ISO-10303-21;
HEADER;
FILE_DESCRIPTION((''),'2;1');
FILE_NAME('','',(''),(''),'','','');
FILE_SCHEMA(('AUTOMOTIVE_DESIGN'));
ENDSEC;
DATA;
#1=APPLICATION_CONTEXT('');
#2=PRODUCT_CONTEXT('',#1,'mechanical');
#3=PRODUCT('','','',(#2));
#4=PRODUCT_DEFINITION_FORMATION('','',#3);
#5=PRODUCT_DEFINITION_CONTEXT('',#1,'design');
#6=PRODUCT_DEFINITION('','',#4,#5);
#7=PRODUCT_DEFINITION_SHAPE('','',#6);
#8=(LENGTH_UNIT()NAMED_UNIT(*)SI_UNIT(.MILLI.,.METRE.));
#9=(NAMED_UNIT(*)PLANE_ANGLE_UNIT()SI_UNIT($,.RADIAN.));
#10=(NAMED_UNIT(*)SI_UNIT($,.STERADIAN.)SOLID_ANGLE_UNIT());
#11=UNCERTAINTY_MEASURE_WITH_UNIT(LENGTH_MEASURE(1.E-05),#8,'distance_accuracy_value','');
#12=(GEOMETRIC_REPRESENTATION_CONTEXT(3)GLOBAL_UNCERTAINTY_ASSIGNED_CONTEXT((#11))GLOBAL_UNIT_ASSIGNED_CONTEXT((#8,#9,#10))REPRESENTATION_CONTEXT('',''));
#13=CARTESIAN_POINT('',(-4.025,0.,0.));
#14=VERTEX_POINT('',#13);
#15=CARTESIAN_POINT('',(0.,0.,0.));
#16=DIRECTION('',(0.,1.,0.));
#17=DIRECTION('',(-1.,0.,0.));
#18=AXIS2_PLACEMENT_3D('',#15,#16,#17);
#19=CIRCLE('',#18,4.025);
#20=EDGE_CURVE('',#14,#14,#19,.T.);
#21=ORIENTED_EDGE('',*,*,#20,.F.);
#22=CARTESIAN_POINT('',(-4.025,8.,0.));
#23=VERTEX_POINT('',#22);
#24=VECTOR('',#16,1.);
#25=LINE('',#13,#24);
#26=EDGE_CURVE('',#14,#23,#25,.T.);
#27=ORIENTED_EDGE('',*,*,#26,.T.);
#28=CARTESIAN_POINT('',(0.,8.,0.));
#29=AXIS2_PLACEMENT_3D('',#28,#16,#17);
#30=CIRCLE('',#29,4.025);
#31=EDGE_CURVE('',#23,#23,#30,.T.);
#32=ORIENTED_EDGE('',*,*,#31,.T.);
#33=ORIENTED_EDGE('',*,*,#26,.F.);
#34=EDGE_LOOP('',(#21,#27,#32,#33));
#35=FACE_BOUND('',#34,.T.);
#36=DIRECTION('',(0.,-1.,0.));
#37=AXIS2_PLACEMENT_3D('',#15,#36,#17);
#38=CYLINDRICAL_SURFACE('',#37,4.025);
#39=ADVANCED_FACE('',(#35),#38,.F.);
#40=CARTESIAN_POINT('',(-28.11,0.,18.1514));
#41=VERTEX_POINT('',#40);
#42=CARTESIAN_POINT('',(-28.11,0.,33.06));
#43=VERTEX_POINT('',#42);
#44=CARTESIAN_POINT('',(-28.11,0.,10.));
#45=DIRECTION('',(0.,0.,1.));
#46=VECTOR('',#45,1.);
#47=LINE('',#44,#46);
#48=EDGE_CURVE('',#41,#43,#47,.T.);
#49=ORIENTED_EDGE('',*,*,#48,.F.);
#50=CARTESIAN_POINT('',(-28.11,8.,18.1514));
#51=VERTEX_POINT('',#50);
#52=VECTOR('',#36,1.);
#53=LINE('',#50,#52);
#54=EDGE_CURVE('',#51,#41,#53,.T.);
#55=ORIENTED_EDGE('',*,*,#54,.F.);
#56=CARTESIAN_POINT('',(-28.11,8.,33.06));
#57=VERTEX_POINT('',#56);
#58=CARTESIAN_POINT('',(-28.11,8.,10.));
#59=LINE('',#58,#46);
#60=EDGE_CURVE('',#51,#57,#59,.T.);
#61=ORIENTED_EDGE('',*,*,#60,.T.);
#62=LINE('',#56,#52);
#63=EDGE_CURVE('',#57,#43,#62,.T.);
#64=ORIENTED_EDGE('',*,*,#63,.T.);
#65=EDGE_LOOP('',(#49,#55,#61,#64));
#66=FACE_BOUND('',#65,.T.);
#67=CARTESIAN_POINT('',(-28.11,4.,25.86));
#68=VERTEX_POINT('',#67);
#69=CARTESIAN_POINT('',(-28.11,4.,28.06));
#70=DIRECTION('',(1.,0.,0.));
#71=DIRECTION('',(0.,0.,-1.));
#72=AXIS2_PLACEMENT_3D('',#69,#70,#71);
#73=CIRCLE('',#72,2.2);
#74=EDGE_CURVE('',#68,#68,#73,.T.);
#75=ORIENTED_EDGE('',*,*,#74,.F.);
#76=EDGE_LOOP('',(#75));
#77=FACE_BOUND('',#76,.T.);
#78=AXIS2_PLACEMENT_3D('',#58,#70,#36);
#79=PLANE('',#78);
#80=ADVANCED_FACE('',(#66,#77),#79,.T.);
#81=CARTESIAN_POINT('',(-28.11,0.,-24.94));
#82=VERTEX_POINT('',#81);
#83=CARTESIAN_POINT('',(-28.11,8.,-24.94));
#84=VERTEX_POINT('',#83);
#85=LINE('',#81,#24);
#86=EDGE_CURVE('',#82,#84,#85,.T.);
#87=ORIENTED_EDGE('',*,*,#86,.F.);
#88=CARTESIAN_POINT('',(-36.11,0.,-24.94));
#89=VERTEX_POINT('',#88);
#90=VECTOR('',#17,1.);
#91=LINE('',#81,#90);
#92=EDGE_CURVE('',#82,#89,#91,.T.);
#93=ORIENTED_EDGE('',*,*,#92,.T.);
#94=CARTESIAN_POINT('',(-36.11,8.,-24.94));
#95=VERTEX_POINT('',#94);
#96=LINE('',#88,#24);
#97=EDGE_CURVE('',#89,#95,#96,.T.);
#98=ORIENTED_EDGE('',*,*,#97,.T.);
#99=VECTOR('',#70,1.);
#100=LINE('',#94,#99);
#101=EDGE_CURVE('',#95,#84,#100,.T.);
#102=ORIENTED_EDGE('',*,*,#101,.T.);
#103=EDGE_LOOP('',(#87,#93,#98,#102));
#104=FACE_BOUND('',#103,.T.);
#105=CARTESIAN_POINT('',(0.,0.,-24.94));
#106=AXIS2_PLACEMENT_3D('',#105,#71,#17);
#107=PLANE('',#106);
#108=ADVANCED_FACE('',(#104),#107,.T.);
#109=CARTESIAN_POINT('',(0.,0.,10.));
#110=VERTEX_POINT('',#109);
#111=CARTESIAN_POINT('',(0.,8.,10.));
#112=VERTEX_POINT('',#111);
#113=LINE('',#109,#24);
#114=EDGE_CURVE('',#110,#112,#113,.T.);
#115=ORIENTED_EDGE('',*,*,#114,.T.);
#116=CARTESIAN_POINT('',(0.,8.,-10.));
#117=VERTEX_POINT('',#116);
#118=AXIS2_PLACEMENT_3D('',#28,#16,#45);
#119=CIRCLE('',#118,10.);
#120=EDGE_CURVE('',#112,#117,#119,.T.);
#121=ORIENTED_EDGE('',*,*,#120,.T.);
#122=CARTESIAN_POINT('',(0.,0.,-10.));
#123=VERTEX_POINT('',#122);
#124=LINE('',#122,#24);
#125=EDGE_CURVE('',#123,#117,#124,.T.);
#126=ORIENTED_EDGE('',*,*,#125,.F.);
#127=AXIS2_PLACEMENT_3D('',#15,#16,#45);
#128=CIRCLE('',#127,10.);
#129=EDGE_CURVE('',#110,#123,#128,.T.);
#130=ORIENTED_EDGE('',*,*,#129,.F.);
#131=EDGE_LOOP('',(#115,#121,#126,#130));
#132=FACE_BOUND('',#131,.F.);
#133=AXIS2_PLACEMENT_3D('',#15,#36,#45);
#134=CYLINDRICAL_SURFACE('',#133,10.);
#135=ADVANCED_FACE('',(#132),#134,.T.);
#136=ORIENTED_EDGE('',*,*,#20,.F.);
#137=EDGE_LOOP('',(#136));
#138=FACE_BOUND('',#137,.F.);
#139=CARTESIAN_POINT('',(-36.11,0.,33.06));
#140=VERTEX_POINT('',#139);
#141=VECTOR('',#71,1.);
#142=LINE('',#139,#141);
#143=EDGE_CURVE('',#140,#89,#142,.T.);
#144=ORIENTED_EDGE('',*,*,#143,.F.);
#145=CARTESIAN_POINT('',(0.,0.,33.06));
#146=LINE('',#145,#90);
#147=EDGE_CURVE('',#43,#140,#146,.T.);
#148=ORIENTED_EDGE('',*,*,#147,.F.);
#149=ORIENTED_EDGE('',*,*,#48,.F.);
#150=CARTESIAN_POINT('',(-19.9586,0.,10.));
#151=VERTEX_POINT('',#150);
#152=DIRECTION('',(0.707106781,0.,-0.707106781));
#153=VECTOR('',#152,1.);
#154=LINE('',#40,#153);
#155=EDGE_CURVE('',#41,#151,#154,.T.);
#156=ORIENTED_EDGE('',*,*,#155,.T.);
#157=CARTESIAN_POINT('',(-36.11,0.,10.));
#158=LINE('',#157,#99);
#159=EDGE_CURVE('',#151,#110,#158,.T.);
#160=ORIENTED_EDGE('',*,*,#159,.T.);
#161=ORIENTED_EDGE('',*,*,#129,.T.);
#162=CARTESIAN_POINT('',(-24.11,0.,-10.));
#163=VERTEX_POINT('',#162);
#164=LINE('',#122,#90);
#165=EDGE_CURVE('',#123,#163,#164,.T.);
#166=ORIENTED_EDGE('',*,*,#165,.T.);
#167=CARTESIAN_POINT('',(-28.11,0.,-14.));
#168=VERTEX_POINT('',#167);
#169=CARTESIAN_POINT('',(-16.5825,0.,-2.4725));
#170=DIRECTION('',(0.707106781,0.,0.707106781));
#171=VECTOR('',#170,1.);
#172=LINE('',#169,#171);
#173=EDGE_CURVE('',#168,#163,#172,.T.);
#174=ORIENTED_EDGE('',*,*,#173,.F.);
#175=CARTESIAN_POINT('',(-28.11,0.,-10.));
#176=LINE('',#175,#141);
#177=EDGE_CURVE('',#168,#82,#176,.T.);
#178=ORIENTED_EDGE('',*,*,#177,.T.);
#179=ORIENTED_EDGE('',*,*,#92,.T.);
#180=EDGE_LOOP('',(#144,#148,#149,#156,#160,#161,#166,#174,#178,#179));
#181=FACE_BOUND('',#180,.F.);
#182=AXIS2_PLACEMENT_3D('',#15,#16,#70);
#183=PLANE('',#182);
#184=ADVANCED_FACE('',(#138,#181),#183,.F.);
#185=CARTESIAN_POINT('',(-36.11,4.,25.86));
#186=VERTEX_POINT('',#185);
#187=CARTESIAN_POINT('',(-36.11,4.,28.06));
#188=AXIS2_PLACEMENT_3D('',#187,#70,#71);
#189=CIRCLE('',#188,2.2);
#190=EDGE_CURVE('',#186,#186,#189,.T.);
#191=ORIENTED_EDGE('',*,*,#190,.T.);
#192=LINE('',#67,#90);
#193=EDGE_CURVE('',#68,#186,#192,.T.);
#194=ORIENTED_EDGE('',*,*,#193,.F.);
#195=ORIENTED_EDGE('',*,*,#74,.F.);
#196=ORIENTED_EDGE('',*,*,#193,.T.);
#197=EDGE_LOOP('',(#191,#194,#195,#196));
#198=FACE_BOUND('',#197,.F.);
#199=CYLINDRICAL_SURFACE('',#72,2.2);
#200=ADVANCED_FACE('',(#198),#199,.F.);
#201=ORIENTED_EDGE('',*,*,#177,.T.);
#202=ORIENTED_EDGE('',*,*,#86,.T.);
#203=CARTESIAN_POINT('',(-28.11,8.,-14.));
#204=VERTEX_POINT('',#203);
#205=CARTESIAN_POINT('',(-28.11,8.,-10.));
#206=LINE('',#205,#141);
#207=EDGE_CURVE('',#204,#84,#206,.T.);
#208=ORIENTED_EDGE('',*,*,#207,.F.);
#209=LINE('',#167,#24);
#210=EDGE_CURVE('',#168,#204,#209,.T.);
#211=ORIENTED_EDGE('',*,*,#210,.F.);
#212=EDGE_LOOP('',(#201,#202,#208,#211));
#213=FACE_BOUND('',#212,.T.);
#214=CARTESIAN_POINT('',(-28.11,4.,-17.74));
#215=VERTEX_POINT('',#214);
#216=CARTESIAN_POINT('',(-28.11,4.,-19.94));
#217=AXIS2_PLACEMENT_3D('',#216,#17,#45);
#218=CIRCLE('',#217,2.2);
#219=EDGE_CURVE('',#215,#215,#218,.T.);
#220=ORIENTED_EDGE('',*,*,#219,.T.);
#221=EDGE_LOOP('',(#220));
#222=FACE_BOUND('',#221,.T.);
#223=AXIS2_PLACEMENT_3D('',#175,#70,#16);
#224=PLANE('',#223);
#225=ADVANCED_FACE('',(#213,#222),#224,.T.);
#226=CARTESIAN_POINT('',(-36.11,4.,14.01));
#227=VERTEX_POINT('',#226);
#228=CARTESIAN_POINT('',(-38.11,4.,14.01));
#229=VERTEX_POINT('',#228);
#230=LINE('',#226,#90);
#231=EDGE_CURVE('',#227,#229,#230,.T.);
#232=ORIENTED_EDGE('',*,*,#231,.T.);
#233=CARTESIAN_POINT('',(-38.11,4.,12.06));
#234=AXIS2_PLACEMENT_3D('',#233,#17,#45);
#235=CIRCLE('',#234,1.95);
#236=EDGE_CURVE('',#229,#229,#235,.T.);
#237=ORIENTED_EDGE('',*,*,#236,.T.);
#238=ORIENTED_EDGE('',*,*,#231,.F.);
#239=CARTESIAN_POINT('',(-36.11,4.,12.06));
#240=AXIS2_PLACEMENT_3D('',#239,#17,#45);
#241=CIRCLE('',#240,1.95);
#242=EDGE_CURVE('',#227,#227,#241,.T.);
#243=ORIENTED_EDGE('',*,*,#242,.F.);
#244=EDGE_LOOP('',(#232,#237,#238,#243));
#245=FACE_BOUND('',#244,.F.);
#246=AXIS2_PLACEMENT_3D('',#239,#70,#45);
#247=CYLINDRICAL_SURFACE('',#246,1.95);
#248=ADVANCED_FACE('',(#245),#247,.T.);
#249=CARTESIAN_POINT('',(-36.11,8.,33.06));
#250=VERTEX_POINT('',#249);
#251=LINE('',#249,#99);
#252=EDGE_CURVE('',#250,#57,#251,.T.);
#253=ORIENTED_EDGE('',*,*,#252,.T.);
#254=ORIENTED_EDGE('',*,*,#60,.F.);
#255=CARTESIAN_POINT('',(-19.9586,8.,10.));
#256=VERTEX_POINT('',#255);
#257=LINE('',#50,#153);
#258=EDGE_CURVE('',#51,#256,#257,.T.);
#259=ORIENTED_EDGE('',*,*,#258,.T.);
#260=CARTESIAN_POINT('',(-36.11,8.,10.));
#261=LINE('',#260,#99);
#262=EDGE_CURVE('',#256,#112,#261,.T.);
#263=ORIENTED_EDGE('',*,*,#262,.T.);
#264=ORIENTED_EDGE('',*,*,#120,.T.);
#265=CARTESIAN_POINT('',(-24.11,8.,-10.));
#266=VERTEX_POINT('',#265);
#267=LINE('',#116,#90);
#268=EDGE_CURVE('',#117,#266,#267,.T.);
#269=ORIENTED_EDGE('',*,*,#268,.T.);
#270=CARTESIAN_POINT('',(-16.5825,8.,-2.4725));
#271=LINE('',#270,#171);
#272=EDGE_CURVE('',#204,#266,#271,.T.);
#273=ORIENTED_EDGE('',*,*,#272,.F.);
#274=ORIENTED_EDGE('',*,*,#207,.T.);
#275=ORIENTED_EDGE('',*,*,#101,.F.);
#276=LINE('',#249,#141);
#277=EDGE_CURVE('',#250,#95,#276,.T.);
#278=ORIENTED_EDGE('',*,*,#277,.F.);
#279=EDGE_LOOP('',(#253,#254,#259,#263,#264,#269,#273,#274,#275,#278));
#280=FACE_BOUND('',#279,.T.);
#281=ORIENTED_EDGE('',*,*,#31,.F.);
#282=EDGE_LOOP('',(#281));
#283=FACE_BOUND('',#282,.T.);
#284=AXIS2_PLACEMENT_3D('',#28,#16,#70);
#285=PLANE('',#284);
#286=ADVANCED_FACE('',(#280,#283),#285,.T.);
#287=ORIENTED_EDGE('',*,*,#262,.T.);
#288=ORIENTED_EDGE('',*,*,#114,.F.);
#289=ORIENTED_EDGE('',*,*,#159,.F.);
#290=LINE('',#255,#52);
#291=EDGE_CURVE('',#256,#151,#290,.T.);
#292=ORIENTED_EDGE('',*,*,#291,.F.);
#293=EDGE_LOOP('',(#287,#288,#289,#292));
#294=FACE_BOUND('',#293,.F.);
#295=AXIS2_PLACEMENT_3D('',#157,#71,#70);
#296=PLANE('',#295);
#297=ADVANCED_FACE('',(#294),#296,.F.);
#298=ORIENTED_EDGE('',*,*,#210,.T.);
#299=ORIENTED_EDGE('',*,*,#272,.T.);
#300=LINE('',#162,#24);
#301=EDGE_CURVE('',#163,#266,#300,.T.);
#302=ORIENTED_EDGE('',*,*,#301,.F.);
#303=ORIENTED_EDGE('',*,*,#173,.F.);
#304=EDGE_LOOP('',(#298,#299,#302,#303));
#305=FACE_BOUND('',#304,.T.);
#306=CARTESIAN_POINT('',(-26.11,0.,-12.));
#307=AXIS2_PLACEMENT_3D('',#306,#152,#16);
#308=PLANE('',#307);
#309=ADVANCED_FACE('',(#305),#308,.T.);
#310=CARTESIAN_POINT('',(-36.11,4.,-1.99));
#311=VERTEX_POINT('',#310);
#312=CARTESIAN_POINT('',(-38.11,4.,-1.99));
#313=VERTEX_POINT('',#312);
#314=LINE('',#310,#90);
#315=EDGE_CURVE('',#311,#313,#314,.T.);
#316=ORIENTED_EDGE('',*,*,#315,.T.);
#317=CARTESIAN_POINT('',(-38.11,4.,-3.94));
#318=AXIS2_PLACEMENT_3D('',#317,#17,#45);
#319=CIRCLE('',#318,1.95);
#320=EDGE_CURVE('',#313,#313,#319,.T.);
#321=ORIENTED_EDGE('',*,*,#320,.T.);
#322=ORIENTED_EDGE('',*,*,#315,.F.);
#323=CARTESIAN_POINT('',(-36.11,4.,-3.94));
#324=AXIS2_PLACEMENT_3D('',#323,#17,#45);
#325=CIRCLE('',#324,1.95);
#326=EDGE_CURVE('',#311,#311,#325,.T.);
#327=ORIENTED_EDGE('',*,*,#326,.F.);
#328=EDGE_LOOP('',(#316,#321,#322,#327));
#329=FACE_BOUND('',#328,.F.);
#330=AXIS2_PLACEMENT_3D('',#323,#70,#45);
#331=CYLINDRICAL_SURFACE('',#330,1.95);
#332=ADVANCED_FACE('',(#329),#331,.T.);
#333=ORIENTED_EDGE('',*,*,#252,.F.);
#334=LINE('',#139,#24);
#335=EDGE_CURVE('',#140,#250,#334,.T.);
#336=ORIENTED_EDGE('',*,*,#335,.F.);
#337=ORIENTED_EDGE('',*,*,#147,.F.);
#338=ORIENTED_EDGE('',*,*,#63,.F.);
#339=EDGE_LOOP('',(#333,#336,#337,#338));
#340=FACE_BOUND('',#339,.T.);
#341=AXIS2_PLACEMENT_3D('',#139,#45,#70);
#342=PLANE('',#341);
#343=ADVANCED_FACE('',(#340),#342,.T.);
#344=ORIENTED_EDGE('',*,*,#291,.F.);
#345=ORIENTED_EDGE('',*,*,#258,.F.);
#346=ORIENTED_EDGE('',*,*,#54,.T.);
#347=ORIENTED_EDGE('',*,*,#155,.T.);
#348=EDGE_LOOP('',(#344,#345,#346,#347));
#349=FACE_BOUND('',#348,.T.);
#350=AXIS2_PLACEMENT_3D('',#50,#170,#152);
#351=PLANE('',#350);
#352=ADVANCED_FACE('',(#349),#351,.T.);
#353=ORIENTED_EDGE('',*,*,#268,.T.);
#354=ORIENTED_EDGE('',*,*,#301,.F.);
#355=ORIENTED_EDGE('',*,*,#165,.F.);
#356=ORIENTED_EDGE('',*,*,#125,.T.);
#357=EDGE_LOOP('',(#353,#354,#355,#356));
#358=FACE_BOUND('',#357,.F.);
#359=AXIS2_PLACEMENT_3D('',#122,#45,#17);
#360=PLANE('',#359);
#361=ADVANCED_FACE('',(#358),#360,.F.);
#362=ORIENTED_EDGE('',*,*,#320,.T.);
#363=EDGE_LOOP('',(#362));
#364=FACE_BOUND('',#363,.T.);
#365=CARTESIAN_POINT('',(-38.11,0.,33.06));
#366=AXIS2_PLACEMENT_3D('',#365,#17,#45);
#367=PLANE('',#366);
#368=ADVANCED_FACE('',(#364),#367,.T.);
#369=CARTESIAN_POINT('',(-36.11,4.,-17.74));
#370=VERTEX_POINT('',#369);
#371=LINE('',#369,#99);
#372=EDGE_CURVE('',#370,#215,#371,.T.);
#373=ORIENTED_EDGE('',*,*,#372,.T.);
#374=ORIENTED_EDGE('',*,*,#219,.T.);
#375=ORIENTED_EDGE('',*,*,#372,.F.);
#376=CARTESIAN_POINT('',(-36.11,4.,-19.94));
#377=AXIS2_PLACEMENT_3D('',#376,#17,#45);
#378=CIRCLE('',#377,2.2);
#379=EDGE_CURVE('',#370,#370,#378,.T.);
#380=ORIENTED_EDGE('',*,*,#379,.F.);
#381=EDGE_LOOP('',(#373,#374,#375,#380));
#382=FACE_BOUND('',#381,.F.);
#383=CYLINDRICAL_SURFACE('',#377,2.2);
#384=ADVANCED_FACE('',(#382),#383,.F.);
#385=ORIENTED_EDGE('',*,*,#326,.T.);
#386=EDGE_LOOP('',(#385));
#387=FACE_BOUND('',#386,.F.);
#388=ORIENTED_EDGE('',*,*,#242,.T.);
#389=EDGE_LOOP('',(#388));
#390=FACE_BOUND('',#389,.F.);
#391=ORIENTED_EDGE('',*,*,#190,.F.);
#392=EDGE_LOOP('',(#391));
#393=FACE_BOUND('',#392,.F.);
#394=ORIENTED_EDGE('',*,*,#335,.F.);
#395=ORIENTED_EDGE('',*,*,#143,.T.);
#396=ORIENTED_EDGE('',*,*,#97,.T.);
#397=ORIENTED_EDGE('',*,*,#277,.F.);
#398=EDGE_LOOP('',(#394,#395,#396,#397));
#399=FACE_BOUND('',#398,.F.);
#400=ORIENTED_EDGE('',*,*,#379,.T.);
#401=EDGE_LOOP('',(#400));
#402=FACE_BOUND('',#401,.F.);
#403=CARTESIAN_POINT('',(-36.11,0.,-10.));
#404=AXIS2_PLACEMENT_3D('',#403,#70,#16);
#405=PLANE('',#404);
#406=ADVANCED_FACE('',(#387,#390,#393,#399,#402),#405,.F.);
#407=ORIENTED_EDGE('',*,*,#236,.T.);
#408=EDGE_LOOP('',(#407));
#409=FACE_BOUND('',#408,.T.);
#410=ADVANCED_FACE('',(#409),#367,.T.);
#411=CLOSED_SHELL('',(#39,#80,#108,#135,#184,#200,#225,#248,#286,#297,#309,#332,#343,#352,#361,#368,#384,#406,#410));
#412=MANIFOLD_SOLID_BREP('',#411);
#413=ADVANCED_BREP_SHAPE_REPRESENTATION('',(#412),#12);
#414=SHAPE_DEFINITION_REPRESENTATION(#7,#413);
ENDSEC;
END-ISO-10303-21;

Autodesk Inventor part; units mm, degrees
ref_plane "YZ Plane" through (0, 0, 0) normal (1, 0, 0) x (0, 1, 0)
ref_plane "XZ Plane" through (0, 0, 0) normal (0, 1, 0) x (-1, 0, 0)
ref_plane "XY Plane" through (0, 0, 0) normal (0, 0, 1) x (1, 0, 0)
sketch "Sketch1" plane through (0, 0, 0) normal (0, 1, 0) x (-1, 0, 0)
  circle A0 centre (0, 0) radius 4.025
  line L0 (0, 0) -> (36.11, 0) construction
  line L1 (0, -10) -> (36.11, -10)
  line L2 (36.11, 10) -> (0, 10)
  arc A1 (0, 10) -> (0, -10) centre (0, 0) ccw
  line L3 (36.11, 10) -> (36.11, -10)
  point P0 (18.055, 0)
  dimension "d0" = 8.05
  dimension "d1" = 36.11
extrude "Extrusion1" add sketch "Sketch1" along normal blind 8
sketch "Sketch2" plane through (-36.11, 0, 10) normal (0, 0, 1) x (1, 0, 0)
  line L0 (0, 0) -> (0, 8) projected
  line L1 (36.11, 0) -> (0, 0) projected
  line L2 (0, 8) -> (8, 8)
  line L3 (8, 8) -> (8, 0)
  line L4 (8, 0) -> (0, 0)
  line L5 (0, 0) -> (0, 8)
  dimension "d5" = 8
extrude "Extrusion2" add sketch "Sketch2" along normal blind 23.06
sketch "Sketch3" plane through (-28.11, 0, 10) normal (1, 0, 0) x (0, 0, -1)
  circle A0 centre (-18.06, 4) radius 2.2
  line L0 (-23.06, 0) -> (-23.06, 8) projected
  point P0 (10, 0)
  point P1 (-23.06, 4)
  dimension "d8" = 4.4
  dimension "d9" = 5
extrude "Extrusion3" cut sketch "Sketch3" against normal blind 23.06
sketch "Sketch4" plane through (0, 0, -10) normal (0, 0, -1) x (-1, 0, 0)
  line L0 (36.11, 0) -> (36.11, 8) projected
  line L1 (28.11, 0) -> (28.11, 8) projected
  line L2 (36.11, 8) -> (28.11, 8)
  line L3 (28.11, 8) -> (28.11, 0)
  line L4 (28.11, 0) -> (36.11, 0)
  line L5 (36.11, 0) -> (36.11, 8)
  point P0 (0, 0)
extrude "Extrusion4" add sketch "Sketch4" along normal blind 14.94
sketch "Sketch6" plane through (-36.11, 0, 33.06) normal (-1, 0, 0) x (0, 0, 1)
  circle A0 centre (-21, 4) radius 1.95
  circle A1 centre (-5, 4) radius 2.2 projected
  circle A2 centre (-37, 4) radius 1.95
  circle A3 centre (-53, 4) radius 2.2
  point P0 (-33.06, 0)
  dimension "d18" = 3.9
  dimension "d19" = 16
  dimension "d20" = 3.9
  dimension "d21" = 16
  dimension "d22" = 4.4
  dimension "d23" = 16
extrude "Extrusion6" add sketch "Sketch6" along normal blind 2 contours A0 | A2
extrude "Extrusion7" cut sketch "Sketch6" against normal blind 13 contours A3
sketch "Sketch7" plane through (0, 8, 0) normal (0, 1, 0) x (1, 0, 0)
  point P0 (0, 0)
sketch "Sketch8" plane through (0, 8, 0) normal (0, 1, 0) x (1, 0, 0)
  line L0 (-28.11, -10) -> (-28.11, -33.06) construction
  line L1 (-28.11, -28.0914) -> (-28.11, -18.1514)
  line L2 (-28.11, -18.1514) -> (-19.9586, -10)
  line L3 (-28.11, -10) -> (0, -10) projected
  line L4 (-28.11, -18.1514) -> (-16.5822, -18.1514) construction
  line L5 (-19.9586, -10) -> (-28.11, -10)
  line L6 (-28.11, -10) -> (-28.11, -18.1514)
  point P0 (0, 0)
  dimension "d31" = 9.94
  dimension "d32" = 45
extrude "Extrusion8" add sketch "Sketch8" against normal blind 8
chamfer "Chamfer1" distance 4 angle 45 1 edges at (-28.11, 4, -10)
properties part number "Launcher_support"
